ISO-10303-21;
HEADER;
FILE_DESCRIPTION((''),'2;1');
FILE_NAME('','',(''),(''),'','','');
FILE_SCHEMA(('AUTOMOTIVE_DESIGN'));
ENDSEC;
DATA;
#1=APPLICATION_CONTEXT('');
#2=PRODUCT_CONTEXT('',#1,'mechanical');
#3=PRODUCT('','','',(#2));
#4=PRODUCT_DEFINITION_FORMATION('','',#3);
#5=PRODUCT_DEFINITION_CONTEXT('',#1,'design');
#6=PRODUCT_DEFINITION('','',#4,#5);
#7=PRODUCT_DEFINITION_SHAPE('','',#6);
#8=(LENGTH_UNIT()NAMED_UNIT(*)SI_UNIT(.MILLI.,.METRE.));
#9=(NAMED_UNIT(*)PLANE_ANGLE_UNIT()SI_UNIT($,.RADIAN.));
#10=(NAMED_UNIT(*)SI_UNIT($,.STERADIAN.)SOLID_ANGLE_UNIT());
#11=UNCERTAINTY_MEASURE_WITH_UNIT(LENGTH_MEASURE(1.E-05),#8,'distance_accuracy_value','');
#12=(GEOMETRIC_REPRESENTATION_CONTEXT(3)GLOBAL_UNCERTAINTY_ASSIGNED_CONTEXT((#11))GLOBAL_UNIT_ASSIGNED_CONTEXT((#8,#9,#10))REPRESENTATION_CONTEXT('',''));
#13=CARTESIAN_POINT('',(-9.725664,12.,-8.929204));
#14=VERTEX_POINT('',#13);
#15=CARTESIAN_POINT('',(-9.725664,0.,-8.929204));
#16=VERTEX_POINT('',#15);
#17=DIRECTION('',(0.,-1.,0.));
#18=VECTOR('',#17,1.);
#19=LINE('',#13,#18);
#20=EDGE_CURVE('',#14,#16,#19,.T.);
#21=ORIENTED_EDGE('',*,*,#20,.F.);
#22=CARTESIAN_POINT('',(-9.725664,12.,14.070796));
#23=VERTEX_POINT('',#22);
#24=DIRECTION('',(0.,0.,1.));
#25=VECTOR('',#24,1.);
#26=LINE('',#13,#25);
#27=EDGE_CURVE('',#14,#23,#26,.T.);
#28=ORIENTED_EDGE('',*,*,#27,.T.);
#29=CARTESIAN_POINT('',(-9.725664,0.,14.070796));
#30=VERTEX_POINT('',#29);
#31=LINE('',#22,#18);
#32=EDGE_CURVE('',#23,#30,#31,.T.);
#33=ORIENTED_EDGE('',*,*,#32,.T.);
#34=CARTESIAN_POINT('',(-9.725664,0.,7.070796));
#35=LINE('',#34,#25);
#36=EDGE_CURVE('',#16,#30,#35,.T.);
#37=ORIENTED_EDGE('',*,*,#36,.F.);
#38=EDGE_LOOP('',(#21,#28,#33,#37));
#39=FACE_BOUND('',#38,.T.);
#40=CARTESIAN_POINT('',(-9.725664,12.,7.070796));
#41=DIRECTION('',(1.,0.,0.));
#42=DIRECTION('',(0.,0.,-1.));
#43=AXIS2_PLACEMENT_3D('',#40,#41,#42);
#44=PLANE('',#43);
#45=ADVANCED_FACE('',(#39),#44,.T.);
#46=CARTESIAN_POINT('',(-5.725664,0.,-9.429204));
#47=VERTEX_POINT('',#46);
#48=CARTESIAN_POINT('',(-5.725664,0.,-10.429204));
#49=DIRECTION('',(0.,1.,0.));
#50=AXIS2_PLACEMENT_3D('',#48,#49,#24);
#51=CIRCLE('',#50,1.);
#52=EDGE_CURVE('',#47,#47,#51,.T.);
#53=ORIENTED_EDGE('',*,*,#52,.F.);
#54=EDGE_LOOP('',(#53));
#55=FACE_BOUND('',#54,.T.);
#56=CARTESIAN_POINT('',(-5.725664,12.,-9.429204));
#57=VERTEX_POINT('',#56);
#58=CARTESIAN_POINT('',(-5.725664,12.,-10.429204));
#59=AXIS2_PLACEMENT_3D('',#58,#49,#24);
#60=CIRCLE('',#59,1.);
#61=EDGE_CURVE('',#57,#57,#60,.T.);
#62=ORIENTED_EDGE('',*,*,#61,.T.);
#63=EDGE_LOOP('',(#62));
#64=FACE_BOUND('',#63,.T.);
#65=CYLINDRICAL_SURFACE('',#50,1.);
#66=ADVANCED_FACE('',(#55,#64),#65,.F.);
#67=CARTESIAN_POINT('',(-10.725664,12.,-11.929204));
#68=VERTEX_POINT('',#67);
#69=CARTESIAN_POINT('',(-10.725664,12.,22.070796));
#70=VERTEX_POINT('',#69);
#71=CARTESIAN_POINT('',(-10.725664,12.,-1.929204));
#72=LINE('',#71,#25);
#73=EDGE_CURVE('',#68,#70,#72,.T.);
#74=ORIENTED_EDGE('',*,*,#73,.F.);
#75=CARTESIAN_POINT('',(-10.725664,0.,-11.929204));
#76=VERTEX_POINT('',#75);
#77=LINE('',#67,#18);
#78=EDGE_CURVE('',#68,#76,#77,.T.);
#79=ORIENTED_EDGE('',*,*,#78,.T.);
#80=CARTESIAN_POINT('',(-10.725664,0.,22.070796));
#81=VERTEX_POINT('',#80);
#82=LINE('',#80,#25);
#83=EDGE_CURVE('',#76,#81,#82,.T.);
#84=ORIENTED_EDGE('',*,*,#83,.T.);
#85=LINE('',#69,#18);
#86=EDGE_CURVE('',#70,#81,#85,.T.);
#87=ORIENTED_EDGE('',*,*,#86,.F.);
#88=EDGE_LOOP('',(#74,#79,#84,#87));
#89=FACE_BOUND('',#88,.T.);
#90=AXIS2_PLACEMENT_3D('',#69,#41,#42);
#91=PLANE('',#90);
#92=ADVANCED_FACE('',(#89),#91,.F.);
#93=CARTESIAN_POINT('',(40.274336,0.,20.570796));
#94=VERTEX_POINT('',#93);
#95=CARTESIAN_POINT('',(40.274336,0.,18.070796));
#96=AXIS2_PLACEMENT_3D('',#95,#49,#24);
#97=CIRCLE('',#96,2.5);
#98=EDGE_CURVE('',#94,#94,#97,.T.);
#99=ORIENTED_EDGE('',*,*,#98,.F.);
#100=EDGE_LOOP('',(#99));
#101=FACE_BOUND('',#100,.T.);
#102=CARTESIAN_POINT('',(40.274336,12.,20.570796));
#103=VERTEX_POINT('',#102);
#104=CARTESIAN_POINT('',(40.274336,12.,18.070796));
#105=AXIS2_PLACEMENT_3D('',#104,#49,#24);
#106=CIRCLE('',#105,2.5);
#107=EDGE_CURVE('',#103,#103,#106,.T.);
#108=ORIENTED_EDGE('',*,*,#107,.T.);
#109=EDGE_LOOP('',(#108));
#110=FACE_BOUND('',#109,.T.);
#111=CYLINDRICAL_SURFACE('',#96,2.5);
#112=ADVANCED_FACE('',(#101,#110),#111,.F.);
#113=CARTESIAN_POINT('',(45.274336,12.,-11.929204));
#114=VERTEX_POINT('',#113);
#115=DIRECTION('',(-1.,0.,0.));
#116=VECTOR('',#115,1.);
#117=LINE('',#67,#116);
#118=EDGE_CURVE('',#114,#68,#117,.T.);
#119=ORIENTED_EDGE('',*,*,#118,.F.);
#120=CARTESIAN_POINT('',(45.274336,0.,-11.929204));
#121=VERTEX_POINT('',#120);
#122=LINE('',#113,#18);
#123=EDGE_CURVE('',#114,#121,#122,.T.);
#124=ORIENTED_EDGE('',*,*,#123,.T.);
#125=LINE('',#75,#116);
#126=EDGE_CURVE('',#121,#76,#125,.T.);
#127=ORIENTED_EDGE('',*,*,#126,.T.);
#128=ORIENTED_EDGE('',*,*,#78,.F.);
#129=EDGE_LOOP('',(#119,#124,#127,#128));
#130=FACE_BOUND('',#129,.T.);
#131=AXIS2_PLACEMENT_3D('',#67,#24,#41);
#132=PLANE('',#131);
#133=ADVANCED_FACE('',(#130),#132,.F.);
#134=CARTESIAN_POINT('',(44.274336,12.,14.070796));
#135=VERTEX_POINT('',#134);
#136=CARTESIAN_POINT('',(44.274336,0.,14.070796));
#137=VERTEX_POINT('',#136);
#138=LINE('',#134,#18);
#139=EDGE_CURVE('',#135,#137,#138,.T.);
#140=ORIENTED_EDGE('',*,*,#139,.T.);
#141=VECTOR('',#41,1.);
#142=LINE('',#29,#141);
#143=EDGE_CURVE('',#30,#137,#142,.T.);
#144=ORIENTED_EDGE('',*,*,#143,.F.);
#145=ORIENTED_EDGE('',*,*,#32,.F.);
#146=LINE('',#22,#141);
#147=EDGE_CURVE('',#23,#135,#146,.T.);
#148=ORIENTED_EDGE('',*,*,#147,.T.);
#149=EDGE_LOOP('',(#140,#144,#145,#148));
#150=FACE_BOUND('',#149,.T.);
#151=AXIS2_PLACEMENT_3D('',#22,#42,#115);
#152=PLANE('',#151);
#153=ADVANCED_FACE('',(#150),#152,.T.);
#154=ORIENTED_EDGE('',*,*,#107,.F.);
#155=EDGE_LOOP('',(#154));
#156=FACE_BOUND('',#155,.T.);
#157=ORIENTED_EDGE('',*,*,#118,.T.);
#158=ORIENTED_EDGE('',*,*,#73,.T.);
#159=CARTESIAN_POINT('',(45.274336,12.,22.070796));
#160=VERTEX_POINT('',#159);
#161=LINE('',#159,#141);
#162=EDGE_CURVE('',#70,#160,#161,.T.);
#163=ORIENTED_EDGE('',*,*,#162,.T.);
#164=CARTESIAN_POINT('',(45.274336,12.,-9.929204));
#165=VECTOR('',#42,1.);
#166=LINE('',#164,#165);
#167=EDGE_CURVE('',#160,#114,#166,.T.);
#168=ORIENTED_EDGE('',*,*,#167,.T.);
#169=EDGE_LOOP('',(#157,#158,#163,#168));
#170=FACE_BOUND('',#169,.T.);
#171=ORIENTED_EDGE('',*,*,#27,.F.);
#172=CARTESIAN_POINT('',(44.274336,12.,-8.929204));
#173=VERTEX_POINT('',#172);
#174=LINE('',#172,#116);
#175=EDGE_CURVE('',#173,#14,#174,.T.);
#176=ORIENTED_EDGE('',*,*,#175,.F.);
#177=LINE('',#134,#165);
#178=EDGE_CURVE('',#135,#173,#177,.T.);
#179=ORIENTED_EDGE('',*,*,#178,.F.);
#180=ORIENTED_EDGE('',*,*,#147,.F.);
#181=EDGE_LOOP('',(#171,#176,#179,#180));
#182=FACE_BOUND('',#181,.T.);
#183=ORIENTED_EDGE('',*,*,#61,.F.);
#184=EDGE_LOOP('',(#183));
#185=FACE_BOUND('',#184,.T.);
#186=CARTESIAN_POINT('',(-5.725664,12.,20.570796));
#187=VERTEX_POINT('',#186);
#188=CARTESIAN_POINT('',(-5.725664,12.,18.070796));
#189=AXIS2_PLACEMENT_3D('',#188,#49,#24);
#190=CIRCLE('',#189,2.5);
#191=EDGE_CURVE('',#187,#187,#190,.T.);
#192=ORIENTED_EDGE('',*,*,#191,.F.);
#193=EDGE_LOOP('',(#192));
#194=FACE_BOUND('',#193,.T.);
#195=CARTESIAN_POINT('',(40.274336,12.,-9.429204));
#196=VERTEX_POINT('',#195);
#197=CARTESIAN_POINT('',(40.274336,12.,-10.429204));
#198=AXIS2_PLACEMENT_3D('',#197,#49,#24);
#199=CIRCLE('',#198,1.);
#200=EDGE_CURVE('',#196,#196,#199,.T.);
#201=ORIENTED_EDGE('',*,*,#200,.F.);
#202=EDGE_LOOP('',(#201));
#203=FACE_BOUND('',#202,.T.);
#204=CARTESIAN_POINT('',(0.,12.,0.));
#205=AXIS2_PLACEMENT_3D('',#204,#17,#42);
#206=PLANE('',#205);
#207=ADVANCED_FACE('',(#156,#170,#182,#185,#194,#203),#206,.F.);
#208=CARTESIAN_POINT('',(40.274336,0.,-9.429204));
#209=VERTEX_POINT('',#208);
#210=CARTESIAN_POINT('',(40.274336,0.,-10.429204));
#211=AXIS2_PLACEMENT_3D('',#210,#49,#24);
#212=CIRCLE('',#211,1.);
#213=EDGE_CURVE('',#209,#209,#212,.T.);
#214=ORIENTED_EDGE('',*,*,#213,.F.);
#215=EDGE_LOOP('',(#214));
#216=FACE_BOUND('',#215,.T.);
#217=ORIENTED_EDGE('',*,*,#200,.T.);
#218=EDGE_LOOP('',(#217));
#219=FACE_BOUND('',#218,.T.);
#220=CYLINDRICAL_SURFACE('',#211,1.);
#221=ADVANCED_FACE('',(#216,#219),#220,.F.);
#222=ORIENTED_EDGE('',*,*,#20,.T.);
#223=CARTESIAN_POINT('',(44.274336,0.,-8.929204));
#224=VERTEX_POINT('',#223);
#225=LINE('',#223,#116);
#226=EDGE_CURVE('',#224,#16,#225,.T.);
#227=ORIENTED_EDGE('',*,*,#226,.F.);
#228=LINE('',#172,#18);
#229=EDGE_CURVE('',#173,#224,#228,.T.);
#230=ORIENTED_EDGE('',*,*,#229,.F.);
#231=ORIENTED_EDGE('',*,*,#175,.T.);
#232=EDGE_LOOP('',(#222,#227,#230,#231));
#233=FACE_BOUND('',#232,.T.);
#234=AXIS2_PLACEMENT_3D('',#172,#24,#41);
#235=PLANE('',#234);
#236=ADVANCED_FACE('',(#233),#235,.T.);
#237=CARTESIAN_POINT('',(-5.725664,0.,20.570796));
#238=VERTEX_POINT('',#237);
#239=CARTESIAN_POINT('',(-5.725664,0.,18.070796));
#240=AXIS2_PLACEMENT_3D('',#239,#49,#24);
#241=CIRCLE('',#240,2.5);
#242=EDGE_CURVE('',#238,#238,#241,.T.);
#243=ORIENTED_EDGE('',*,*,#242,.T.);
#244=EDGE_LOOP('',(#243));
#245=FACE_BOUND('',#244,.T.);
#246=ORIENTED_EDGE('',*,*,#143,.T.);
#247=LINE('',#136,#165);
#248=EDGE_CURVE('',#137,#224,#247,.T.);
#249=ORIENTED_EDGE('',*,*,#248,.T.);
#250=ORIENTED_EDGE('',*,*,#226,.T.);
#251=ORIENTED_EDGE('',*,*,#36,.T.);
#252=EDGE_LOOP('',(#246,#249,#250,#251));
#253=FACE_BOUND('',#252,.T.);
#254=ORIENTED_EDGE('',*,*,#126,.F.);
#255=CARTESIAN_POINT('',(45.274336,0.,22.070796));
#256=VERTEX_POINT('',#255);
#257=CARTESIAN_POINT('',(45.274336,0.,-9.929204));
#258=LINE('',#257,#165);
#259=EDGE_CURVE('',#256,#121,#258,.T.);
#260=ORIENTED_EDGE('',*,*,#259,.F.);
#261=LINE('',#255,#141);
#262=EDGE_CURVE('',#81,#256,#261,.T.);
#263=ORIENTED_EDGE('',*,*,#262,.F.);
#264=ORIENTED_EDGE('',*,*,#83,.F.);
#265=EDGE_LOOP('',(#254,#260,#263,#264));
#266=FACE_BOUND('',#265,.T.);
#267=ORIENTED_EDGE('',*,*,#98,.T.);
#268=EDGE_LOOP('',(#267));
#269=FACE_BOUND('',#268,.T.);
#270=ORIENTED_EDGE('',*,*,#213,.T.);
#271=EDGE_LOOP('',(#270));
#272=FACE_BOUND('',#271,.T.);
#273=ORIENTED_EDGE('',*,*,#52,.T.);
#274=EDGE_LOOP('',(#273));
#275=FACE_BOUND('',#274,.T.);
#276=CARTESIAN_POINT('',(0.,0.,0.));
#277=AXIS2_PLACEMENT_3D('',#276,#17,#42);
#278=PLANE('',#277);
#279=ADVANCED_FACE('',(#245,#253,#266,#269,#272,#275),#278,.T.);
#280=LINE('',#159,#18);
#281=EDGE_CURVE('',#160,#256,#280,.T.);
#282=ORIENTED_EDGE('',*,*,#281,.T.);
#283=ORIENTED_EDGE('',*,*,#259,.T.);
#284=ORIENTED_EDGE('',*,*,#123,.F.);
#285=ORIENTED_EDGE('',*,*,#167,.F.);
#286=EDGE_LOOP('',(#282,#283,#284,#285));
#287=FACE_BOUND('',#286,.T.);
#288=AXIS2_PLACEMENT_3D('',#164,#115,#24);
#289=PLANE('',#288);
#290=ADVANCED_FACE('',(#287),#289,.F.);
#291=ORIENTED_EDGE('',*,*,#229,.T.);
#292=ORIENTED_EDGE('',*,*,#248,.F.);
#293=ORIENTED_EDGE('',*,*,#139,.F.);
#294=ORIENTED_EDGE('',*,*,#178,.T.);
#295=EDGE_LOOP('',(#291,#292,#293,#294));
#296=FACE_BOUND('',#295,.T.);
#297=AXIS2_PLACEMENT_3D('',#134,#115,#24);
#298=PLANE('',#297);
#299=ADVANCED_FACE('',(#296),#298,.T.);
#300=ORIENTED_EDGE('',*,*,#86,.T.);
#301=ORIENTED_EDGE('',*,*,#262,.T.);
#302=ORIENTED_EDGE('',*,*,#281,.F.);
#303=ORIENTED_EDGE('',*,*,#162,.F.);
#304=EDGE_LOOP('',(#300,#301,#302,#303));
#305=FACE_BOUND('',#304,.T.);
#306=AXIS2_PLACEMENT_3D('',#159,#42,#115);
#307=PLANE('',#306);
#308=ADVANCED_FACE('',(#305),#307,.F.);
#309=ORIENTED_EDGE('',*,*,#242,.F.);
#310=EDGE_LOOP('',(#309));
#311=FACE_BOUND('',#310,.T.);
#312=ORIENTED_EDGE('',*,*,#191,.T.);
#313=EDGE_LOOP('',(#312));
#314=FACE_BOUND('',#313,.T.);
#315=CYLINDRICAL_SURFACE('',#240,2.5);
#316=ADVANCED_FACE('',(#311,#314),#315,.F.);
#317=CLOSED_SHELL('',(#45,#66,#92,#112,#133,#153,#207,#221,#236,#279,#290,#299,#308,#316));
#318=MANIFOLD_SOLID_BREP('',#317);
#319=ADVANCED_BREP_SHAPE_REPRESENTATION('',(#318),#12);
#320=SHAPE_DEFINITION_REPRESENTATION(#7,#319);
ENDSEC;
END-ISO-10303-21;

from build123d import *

# Parameters (mm, degrees)
EXTRUDE_1_DEPTH     = 12
SKETCH_4_W          = 56
SKETCH_4_H          = 2
EXTRUDE_2_DEPTH     = 12
SKETCH_3_R          = 2.5
SKETCH_3_R_2        = 1
CUT_EXTRUDE_1_DEPTH = 52.777268973


with BuildPart() as part:
    # 草图2 → 凸台-拉伸1 (new body)
    with BuildSketch(Plane(origin=(0, 0, 0), x_dir=(1, 0, 0), z_dir=(0, 1, 0))):
        Polygon((-10.725663717, 9.92920354), (45.274336283, 9.92920354), (45.274336283, -22.07079646), (-10.725663717, -22.07079646), (-10.725663717, -7.07079646), (-10.725663717, 1.92920354), align=None)
        Polygon((-9.725663717, -7.07079646), (-9.725663717, -14.07079646), (44.274336283, -14.07079646), (44.274336283, 8.92920354), (-9.725663717, 8.92920354), (-9.725663717, 0.92920354), align=None, mode=Mode.SUBTRACT)
    extrude(amount=EXTRUDE_1_DEPTH)

    # 草图4 → 凸台-拉伸2 (add)
    with BuildSketch(Plane(origin=(0, 0, 0), x_dir=(1, 0, 0), z_dir=(0, 1, 0))):
        with Locations((17.274336283, 10.92920354)):
            Rectangle(SKETCH_4_W, SKETCH_4_H)
    extrude(amount=EXTRUDE_2_DEPTH)

    # 草图3 → 切除-拉伸1 (cut, through all)
    with BuildSketch(Plane(origin=(0, 12, 0), x_dir=(1, 0, 0), z_dir=(0, 1, 0))):
        with Locations(Location((-5.725663717, -18.07079646, 0), (0, 0, 270))):
            Circle(SKETCH_3_R)
        with Locations(Location((40.274336283, -18.07079646, 0), (0, 0, 270))):
            Circle(SKETCH_3_R)
        with Locations(Location((-5.725663717, 10.42920354, 0), (0, 0, 270))):
            Circle(SKETCH_3_R_2)
        with Locations(Location((40.274336283, 10.42920354, 0), (0, 0, 270))):
            Circle(SKETCH_3_R_2)
    extrude(amount=-CUT_EXTRUDE_1_DEPTH, mode=Mode.SUBTRACT)


solid = part.part
